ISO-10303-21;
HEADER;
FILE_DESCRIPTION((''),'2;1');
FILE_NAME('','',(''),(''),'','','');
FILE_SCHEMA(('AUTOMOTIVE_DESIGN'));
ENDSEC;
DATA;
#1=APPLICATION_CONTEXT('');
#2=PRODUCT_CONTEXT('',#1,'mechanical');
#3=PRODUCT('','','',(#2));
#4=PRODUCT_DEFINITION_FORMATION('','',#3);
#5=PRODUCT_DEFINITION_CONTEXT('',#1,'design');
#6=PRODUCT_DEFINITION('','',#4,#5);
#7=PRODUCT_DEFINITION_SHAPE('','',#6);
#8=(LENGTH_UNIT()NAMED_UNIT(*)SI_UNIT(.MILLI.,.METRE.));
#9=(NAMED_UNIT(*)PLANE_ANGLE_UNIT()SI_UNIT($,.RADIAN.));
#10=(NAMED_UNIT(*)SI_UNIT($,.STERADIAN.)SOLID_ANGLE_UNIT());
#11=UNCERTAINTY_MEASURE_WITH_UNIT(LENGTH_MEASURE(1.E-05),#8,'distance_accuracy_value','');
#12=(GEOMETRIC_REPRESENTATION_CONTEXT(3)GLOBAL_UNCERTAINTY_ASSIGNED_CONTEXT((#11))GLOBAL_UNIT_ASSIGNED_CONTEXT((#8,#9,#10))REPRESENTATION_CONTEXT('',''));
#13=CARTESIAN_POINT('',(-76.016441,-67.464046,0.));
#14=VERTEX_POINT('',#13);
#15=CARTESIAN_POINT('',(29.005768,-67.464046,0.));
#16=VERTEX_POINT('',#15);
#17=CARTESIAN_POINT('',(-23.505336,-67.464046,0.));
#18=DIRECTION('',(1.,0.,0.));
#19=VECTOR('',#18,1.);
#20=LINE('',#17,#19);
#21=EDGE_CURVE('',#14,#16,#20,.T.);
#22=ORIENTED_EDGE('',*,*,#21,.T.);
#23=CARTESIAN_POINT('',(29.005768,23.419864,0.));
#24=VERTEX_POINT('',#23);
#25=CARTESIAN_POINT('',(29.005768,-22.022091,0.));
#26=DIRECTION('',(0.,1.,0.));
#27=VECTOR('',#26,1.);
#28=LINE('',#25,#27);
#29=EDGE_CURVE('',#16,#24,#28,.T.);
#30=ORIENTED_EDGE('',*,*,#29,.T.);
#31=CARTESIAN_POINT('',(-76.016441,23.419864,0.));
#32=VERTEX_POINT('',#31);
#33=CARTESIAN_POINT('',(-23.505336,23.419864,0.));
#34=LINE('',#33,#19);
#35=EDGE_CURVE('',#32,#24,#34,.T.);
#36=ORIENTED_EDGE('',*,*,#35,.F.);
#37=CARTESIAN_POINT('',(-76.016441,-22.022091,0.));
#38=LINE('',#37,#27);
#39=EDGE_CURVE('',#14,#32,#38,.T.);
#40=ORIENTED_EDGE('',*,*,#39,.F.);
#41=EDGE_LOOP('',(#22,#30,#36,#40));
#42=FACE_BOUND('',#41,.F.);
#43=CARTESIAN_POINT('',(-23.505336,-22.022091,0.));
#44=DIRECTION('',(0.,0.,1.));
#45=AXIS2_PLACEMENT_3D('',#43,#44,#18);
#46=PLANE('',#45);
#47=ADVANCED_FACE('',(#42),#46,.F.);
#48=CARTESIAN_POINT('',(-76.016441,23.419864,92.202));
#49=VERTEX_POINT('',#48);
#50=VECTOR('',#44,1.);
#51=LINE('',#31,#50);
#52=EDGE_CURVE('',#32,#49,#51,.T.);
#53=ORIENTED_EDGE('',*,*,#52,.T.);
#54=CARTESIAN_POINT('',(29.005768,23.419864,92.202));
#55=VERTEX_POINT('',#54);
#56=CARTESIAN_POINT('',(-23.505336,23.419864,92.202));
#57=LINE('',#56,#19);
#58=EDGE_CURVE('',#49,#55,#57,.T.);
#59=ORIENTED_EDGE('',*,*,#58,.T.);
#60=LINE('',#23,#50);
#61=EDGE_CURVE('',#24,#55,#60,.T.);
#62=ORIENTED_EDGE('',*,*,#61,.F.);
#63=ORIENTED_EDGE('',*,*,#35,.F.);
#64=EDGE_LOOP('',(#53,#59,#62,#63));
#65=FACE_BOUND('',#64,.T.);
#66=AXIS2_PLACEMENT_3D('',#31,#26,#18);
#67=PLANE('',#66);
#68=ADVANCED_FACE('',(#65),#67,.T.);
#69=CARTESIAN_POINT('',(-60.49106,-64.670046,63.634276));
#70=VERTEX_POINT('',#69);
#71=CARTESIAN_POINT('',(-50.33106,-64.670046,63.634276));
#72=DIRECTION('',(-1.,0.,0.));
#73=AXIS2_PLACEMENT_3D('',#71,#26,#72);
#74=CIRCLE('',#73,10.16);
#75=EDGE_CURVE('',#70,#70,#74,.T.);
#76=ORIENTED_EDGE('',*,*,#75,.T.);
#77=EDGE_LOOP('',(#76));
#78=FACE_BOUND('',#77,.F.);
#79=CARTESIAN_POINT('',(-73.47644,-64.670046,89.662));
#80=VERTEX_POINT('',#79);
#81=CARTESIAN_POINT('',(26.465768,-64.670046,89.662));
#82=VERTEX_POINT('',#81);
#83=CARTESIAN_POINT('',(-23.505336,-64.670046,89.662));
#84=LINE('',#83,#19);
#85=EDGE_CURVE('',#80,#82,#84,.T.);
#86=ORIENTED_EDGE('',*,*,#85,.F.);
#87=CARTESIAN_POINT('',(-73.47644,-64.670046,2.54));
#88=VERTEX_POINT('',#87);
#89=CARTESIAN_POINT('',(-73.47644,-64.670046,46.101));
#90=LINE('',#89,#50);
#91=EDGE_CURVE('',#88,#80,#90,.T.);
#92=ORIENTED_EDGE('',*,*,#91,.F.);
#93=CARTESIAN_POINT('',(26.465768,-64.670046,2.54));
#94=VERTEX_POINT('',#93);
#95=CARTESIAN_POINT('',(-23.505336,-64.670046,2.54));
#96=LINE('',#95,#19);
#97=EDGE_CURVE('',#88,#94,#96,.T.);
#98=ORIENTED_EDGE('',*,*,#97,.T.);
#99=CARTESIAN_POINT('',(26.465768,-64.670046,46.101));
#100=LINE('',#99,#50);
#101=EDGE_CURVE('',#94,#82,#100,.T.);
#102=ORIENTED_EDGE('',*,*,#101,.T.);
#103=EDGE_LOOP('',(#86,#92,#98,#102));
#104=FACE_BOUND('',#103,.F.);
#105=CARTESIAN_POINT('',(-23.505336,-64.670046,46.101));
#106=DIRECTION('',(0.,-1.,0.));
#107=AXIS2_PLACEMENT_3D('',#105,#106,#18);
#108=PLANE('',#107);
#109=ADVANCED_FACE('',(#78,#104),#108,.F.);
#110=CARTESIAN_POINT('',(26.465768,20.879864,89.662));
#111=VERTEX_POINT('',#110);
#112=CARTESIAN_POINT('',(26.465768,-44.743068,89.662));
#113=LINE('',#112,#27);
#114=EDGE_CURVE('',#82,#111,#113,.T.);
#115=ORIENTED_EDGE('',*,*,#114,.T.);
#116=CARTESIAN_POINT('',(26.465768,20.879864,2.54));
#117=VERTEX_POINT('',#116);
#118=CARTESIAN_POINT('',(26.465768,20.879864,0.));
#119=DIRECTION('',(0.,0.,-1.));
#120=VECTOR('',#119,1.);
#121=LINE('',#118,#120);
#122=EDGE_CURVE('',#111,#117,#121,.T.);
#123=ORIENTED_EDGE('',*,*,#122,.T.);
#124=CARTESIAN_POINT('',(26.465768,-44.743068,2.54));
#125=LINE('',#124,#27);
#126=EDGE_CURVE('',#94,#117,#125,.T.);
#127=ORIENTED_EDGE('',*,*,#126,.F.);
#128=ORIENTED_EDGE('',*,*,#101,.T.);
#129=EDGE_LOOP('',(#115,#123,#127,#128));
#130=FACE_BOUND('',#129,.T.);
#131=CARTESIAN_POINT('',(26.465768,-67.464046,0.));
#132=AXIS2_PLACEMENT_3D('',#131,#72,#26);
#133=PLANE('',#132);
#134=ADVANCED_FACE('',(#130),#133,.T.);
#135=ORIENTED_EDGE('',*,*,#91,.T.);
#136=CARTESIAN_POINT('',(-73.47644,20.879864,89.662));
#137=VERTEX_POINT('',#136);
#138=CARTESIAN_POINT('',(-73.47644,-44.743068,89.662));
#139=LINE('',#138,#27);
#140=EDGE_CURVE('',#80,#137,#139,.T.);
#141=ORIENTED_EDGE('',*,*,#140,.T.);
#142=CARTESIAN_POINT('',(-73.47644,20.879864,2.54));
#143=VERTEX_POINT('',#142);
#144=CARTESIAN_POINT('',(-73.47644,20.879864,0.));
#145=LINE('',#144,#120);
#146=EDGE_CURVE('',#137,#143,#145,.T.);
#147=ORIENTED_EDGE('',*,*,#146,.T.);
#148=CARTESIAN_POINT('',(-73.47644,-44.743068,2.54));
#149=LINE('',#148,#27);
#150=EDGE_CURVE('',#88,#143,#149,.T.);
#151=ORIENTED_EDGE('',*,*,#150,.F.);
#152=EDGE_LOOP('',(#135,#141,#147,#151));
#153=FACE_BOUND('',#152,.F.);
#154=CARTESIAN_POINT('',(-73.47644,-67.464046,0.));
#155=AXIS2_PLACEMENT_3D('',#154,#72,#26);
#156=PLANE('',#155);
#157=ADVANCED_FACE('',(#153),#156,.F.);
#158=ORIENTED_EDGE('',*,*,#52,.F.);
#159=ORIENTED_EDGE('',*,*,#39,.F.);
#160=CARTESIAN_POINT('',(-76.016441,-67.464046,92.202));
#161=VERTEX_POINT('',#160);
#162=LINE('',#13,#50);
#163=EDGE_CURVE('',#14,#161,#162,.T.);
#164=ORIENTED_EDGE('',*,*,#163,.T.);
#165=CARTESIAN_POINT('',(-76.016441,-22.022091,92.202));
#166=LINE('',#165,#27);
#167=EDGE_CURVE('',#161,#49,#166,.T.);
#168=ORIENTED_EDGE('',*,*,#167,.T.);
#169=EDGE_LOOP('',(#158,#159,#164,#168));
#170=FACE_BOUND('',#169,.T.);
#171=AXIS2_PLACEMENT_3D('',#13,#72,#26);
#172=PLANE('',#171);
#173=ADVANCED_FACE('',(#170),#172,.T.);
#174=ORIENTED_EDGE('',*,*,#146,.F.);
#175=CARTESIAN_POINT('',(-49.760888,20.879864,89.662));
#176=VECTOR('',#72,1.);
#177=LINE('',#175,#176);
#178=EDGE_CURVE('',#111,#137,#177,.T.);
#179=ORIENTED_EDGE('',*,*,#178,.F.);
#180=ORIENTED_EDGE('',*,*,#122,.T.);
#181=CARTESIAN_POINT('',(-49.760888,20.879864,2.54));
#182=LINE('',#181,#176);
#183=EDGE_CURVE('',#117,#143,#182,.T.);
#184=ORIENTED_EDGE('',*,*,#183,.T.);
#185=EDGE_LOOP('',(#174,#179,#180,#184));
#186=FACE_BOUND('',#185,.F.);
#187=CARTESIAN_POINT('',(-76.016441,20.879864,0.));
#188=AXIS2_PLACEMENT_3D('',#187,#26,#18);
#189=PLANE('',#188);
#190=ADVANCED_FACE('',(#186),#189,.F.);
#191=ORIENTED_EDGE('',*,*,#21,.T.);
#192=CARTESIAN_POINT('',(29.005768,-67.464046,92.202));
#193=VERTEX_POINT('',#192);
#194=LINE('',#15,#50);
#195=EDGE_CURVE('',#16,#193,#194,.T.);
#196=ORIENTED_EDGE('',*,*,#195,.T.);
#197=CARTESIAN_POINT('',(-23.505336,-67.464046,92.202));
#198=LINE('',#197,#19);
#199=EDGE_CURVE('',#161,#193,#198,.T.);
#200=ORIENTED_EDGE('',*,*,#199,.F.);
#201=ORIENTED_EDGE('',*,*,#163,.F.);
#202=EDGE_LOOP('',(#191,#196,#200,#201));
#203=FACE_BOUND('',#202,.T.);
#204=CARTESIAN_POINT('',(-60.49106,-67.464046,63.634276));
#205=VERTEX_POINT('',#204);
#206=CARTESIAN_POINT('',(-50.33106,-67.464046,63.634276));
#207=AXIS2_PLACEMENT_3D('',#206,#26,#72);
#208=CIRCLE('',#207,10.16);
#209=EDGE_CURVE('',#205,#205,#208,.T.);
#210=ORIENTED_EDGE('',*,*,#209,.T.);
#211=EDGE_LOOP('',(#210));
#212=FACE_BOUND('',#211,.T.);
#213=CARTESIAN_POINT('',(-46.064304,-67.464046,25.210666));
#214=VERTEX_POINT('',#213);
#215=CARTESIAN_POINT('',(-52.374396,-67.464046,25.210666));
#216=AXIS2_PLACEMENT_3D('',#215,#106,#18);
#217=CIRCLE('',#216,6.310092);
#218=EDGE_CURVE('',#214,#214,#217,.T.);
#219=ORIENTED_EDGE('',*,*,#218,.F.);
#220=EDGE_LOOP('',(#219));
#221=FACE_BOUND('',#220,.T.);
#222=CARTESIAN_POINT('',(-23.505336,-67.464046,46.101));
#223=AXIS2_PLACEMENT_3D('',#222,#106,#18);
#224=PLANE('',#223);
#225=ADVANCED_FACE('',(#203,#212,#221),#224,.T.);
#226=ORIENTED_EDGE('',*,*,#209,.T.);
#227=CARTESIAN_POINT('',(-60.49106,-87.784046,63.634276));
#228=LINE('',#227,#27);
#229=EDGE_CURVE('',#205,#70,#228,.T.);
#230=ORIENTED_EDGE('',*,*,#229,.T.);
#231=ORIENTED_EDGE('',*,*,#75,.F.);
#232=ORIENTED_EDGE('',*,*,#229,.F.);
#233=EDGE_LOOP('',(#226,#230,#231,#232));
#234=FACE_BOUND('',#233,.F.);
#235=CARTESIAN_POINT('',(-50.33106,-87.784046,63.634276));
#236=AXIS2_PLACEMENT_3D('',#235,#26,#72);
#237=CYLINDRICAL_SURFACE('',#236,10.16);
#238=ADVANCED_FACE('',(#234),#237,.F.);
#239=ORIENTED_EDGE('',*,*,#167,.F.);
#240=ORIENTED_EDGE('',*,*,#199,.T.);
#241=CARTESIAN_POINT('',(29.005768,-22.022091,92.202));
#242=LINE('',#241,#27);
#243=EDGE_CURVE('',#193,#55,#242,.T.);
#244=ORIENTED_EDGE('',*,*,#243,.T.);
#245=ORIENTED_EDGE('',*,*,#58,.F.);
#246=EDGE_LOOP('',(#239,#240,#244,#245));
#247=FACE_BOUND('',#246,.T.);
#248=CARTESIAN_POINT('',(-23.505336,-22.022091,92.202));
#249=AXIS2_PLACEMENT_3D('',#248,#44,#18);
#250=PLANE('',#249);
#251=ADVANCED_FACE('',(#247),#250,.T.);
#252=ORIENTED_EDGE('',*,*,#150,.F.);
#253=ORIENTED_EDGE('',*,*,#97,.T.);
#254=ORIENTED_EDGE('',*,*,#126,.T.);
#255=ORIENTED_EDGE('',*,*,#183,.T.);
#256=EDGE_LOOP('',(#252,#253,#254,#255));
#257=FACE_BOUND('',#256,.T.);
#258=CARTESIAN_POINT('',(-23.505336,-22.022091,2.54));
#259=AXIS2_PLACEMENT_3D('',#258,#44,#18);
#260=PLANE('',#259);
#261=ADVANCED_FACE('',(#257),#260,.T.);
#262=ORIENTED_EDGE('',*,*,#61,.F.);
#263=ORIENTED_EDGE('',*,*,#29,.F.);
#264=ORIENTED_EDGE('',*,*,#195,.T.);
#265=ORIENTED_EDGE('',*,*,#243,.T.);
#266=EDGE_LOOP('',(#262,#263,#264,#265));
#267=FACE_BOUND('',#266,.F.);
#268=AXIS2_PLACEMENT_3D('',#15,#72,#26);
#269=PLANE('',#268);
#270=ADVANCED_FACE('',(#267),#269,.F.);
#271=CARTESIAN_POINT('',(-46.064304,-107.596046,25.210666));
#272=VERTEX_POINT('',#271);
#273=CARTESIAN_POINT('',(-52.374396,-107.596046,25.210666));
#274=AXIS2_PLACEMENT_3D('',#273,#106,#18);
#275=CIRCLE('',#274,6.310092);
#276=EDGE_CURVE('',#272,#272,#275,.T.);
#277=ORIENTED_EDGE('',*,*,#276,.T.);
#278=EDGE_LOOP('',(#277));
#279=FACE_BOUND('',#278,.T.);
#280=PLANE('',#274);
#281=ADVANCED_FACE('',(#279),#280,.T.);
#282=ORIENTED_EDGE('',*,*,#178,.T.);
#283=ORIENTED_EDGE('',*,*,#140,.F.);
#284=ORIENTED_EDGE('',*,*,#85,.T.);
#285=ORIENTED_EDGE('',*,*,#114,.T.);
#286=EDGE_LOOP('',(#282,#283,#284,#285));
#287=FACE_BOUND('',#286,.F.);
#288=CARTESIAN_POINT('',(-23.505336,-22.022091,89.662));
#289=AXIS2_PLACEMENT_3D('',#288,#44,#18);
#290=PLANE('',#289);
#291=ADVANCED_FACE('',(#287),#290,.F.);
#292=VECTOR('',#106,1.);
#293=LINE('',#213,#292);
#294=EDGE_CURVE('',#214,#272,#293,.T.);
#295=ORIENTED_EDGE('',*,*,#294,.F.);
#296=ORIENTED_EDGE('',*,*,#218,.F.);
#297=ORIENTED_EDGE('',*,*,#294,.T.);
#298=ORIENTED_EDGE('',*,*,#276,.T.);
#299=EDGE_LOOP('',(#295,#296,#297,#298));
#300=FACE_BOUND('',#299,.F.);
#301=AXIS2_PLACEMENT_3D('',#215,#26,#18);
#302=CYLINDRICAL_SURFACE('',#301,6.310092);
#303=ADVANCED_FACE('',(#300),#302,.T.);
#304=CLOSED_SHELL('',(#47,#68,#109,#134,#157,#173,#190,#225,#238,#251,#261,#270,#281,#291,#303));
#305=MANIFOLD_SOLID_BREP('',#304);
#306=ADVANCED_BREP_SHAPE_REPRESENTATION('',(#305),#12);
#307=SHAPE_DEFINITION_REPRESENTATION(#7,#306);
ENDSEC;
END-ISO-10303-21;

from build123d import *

# Parameters (mm, degrees)
F0_W     = 105.022209
F0_H     = 90.88391
F1_DEPTH = 92.202
F2_T     = -2.54
F3_W     = 99.942209
F3_H     = 87.122
F4_DEPTH = 2.794
F6_D     = 20.32
F6_DEPTH = 20.32
F7_R     = 6.310092
F8_DEPTH = 40.132


with BuildPart() as f1:
    # F0 (on Top) → F1 (new body)
    with BuildSketch(Plane.XY):
        with Locations((-23.505336, -22.022091)):
            Rectangle(F0_W, F0_H)
    extrude(amount=F1_DEPTH)

    # F2
    f2_openings = [f1.faces().sort_by_distance(p)[0] for p in [
        (-23.505337, -67.464046, 46.101),
    ]]
    offset(amount=F2_T, openings=f2_openings)

    # F3 (on face) → F4 (join)
    with BuildSketch(Plane.XZ.offset(67.464046)):
        with Locations((-23.505336, 46.101)):
            Rectangle(F3_W, F3_H)
    extrude(amount=-F4_DEPTH)

    # F6
    with Locations(Plane.XZ.offset(67.464046)):
        with Locations((-50.33106, 63.634276)):
            Hole(F6_D / 2, depth=F6_DEPTH)

    # F7 (on face) → F8 (join)
    with BuildSketch(Plane.XZ.offset(67.464046)):
        with Locations((-52.374396, 25.210666)):
            Circle(F7_R)
    extrude(amount=F8_DEPTH)


solid = f1.part
